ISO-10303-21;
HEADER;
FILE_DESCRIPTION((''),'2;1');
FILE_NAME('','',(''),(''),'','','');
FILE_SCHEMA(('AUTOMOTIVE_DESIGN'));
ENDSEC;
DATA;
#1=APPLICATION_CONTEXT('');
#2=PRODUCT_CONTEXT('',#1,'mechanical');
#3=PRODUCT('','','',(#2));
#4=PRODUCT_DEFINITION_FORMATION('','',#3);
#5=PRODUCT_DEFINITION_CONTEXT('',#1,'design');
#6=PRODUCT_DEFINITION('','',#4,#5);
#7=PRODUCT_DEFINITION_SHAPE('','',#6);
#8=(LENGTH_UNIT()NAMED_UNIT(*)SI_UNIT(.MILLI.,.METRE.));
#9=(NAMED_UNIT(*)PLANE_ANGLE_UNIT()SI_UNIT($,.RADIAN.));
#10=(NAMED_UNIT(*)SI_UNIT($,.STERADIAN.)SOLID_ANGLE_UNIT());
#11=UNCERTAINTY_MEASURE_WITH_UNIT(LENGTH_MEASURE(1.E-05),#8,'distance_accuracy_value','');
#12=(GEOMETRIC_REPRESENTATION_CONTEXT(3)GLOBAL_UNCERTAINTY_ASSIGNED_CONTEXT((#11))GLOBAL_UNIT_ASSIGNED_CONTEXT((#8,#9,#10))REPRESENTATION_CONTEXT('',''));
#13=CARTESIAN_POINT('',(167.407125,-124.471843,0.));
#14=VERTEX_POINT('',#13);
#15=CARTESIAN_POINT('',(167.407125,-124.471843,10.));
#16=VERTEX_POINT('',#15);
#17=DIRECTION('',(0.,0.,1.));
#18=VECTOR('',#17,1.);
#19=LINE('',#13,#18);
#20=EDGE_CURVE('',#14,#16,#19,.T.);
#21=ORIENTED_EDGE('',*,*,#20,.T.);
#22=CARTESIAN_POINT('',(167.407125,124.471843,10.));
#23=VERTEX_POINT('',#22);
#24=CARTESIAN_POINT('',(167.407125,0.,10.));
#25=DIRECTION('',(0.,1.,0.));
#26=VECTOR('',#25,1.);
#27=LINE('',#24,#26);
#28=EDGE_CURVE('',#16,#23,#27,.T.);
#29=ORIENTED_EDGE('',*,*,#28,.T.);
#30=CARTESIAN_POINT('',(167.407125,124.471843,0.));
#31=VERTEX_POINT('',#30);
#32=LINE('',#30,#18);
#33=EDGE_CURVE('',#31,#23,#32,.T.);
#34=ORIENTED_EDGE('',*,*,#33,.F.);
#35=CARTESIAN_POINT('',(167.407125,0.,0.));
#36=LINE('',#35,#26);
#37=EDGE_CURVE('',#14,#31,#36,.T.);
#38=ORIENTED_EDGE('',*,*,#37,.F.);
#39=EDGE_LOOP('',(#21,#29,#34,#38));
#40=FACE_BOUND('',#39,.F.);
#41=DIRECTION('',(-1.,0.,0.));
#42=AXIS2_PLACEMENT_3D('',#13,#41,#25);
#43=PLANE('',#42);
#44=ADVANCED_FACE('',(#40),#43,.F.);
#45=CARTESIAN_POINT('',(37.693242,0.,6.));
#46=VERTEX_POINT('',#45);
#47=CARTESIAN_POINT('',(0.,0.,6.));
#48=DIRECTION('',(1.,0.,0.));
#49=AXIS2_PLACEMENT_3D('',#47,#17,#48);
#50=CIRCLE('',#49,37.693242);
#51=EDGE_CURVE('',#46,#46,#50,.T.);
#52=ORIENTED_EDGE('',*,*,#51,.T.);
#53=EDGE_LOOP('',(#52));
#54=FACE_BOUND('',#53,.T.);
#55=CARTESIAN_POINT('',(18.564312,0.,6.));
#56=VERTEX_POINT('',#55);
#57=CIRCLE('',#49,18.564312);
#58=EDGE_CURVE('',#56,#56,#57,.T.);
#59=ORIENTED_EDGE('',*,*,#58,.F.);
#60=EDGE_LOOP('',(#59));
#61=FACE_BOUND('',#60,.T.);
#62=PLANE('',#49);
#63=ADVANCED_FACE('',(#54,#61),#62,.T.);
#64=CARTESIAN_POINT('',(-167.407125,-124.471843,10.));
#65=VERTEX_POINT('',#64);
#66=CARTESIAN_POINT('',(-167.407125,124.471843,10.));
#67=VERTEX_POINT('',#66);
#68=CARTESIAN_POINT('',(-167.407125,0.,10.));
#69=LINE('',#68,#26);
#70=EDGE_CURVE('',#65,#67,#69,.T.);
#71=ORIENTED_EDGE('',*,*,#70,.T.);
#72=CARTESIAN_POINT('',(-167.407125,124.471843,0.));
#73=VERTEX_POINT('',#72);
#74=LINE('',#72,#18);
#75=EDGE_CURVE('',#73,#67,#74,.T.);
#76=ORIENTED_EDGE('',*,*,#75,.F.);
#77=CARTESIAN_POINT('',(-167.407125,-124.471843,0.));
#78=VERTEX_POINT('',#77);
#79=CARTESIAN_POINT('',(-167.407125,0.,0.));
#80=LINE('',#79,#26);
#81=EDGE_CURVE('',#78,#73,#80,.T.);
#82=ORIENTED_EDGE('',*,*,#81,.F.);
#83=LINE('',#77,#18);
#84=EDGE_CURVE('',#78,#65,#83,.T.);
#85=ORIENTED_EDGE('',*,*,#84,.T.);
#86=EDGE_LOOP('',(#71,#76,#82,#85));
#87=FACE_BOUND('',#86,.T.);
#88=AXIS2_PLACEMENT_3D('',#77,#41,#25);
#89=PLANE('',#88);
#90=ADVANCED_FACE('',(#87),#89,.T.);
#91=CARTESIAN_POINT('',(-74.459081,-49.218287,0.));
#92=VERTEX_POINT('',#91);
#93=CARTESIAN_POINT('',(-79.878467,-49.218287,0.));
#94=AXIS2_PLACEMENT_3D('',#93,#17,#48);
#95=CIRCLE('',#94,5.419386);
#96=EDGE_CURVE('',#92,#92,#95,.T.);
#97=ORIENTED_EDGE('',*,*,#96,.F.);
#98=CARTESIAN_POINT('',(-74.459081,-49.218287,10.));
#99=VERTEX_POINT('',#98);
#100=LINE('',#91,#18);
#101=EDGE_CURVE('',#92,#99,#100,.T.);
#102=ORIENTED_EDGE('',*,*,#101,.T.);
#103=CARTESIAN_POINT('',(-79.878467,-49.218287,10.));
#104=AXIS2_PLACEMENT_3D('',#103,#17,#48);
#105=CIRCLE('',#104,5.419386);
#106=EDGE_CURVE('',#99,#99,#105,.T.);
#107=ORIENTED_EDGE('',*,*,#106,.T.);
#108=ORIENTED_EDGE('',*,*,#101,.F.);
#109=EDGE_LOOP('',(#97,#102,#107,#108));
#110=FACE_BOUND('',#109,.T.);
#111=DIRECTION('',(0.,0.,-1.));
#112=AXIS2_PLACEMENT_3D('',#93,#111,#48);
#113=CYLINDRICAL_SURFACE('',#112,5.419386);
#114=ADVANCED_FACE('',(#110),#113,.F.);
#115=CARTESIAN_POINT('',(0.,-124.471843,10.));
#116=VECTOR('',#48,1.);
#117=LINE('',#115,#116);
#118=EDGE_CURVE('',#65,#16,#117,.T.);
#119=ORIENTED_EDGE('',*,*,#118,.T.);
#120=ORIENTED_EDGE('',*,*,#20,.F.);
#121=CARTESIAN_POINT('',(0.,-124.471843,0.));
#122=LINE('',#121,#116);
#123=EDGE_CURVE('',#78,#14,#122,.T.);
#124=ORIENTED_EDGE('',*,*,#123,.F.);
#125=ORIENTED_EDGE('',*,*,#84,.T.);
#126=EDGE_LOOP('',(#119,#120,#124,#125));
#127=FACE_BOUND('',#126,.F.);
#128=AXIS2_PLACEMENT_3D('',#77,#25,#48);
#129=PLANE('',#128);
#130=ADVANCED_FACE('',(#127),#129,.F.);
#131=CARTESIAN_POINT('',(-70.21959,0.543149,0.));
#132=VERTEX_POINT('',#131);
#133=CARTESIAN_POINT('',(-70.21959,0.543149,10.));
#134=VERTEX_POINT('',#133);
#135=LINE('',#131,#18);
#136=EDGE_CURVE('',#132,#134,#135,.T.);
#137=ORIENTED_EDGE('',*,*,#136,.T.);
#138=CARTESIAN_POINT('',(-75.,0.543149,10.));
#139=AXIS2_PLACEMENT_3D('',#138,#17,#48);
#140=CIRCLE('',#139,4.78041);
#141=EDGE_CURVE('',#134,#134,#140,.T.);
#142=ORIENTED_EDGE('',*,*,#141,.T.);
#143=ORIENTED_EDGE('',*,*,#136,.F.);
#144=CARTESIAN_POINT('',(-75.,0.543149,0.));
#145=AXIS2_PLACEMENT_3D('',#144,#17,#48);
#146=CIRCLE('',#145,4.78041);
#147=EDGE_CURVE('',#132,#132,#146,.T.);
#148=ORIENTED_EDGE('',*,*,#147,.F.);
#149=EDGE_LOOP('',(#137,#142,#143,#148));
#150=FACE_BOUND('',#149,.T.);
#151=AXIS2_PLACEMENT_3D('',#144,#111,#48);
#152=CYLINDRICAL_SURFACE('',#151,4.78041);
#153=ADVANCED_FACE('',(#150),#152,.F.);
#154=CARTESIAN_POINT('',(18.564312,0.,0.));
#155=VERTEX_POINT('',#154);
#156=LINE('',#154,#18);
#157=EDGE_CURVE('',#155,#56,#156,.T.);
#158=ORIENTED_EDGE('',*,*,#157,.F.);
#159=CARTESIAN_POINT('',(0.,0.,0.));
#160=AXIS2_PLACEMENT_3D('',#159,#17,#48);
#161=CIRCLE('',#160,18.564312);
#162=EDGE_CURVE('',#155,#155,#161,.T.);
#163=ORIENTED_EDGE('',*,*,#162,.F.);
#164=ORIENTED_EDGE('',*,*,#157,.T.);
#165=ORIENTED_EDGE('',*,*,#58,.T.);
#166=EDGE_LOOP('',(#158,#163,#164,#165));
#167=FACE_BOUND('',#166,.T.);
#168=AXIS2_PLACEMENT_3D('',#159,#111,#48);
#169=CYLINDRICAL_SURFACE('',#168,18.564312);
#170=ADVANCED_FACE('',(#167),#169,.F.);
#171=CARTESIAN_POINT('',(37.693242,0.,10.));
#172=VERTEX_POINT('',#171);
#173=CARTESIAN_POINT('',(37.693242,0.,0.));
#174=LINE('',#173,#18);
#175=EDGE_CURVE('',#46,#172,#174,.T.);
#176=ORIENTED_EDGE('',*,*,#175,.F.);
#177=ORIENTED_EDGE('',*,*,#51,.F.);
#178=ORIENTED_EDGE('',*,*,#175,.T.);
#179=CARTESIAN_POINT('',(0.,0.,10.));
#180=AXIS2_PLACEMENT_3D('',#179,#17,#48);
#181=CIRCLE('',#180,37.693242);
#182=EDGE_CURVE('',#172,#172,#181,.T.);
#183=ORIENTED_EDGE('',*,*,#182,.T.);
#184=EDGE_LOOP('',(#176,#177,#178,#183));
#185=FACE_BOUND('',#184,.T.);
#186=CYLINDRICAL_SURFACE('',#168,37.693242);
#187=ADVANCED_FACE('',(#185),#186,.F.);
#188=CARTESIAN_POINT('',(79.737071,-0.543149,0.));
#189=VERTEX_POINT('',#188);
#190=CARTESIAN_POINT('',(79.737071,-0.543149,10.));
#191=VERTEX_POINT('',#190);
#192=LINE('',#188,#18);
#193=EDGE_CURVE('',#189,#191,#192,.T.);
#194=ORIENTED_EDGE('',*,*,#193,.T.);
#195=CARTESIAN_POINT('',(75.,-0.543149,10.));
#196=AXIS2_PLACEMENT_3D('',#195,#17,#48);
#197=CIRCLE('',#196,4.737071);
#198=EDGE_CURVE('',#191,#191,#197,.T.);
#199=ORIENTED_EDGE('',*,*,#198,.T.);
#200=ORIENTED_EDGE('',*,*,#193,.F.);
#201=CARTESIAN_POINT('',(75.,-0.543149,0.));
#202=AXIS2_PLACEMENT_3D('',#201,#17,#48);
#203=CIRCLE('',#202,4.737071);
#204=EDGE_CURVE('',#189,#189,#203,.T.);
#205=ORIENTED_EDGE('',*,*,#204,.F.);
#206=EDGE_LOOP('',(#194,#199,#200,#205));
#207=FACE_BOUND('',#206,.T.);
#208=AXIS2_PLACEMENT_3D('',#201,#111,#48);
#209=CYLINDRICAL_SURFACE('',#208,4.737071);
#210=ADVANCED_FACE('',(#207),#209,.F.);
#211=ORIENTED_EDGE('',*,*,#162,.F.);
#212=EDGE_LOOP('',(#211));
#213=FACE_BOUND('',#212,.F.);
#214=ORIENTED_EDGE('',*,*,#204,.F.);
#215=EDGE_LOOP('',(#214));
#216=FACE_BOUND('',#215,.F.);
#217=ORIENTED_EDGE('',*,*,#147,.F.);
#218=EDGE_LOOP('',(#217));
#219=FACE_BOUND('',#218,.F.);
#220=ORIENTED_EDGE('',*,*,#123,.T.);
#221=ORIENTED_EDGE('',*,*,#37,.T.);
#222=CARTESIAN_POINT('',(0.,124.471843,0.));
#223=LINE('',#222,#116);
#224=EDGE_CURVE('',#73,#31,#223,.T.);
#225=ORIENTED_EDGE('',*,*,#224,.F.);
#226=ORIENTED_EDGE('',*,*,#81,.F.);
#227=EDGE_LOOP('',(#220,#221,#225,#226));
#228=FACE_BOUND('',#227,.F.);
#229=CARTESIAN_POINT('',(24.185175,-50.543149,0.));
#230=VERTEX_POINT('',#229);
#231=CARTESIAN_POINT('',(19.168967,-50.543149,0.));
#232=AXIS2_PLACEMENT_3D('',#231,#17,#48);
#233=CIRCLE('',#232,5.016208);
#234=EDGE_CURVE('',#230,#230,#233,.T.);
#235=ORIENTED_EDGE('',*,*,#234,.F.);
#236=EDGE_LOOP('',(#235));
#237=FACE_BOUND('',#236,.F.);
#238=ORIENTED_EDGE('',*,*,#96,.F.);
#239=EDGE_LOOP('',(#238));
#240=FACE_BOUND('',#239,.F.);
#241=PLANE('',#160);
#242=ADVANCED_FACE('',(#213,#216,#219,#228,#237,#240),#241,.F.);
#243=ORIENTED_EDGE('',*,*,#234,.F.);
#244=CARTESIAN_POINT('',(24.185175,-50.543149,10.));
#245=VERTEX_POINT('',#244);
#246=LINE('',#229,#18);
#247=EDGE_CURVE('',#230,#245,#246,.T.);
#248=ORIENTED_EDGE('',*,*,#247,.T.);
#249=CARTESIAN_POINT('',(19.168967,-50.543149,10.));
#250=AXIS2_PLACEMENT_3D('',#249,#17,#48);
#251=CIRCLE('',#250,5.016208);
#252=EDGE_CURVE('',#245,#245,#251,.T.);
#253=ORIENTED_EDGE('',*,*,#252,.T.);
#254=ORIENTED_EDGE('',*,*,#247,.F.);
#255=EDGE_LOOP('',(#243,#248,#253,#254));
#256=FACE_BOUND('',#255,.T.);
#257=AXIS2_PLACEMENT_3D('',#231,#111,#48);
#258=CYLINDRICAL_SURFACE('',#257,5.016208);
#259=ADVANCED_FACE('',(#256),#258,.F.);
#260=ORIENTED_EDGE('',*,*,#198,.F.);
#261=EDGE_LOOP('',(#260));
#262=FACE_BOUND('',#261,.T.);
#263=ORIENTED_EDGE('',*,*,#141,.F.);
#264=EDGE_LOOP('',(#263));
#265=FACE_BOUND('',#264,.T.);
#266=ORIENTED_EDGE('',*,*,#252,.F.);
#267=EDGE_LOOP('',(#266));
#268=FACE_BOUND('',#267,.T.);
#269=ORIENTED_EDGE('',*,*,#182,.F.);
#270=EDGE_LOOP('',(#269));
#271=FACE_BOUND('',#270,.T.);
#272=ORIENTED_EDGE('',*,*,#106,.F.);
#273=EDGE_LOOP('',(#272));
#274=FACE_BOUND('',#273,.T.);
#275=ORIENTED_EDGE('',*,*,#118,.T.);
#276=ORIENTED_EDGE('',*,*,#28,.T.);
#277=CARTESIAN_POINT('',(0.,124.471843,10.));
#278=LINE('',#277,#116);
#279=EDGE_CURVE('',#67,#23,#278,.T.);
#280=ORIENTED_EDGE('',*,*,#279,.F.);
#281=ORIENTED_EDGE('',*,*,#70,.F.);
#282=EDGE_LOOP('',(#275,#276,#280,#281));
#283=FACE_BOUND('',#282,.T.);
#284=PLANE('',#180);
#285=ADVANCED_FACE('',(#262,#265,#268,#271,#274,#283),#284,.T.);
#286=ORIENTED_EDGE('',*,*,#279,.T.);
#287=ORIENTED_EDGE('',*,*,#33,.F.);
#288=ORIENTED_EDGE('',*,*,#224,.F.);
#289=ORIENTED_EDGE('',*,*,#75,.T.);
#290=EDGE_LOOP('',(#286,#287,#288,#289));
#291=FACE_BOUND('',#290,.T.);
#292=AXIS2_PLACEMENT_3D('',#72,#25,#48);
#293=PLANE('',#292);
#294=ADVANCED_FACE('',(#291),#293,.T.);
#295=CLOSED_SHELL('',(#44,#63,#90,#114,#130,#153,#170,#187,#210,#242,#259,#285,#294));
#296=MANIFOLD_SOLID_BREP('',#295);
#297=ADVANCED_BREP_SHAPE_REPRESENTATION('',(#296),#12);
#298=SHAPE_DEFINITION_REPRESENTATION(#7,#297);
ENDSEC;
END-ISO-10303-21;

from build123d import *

# Parameters (mm, degrees)
F0_W     = 334.81425
F0_H     = 248.943686
F0_R     = 5.419386
F0_R_2   = 37.693242
F0_R_3   = 5.016208
F0_R_4   = 4.737071
F0_R_5   = 4.78041
F1_DEPTH = 10
F0_R_6   = 18.564312
F2_DEPTH = 6


with BuildPart() as f1:
    # F0 (on Top) → F1 (new body)
    with BuildSketch(Plane.XY):
        Rectangle(F0_W, F0_H)
        with Locations((-79.878467, -49.218287)):
            Circle(F0_R, mode=Mode.SUBTRACT)
        Circle(F0_R_2, mode=Mode.SUBTRACT)
        with Locations((19.168967, -50.543149)):
            Circle(F0_R_3, mode=Mode.SUBTRACT)
        with Locations((75, -0.543149)):
            Circle(F0_R_4, mode=Mode.SUBTRACT)
        with Locations((-75, 0.543149)):
            Circle(F0_R_5, mode=Mode.SUBTRACT)
    extrude(amount=F1_DEPTH)

    # F0 (on Top) → F2 (join)
    with BuildSketch(Plane.XY):
        Circle(F0_R_2)
        Circle(F0_R_6, mode=Mode.SUBTRACT)
    extrude(amount=F2_DEPTH)


solid = f1.part
